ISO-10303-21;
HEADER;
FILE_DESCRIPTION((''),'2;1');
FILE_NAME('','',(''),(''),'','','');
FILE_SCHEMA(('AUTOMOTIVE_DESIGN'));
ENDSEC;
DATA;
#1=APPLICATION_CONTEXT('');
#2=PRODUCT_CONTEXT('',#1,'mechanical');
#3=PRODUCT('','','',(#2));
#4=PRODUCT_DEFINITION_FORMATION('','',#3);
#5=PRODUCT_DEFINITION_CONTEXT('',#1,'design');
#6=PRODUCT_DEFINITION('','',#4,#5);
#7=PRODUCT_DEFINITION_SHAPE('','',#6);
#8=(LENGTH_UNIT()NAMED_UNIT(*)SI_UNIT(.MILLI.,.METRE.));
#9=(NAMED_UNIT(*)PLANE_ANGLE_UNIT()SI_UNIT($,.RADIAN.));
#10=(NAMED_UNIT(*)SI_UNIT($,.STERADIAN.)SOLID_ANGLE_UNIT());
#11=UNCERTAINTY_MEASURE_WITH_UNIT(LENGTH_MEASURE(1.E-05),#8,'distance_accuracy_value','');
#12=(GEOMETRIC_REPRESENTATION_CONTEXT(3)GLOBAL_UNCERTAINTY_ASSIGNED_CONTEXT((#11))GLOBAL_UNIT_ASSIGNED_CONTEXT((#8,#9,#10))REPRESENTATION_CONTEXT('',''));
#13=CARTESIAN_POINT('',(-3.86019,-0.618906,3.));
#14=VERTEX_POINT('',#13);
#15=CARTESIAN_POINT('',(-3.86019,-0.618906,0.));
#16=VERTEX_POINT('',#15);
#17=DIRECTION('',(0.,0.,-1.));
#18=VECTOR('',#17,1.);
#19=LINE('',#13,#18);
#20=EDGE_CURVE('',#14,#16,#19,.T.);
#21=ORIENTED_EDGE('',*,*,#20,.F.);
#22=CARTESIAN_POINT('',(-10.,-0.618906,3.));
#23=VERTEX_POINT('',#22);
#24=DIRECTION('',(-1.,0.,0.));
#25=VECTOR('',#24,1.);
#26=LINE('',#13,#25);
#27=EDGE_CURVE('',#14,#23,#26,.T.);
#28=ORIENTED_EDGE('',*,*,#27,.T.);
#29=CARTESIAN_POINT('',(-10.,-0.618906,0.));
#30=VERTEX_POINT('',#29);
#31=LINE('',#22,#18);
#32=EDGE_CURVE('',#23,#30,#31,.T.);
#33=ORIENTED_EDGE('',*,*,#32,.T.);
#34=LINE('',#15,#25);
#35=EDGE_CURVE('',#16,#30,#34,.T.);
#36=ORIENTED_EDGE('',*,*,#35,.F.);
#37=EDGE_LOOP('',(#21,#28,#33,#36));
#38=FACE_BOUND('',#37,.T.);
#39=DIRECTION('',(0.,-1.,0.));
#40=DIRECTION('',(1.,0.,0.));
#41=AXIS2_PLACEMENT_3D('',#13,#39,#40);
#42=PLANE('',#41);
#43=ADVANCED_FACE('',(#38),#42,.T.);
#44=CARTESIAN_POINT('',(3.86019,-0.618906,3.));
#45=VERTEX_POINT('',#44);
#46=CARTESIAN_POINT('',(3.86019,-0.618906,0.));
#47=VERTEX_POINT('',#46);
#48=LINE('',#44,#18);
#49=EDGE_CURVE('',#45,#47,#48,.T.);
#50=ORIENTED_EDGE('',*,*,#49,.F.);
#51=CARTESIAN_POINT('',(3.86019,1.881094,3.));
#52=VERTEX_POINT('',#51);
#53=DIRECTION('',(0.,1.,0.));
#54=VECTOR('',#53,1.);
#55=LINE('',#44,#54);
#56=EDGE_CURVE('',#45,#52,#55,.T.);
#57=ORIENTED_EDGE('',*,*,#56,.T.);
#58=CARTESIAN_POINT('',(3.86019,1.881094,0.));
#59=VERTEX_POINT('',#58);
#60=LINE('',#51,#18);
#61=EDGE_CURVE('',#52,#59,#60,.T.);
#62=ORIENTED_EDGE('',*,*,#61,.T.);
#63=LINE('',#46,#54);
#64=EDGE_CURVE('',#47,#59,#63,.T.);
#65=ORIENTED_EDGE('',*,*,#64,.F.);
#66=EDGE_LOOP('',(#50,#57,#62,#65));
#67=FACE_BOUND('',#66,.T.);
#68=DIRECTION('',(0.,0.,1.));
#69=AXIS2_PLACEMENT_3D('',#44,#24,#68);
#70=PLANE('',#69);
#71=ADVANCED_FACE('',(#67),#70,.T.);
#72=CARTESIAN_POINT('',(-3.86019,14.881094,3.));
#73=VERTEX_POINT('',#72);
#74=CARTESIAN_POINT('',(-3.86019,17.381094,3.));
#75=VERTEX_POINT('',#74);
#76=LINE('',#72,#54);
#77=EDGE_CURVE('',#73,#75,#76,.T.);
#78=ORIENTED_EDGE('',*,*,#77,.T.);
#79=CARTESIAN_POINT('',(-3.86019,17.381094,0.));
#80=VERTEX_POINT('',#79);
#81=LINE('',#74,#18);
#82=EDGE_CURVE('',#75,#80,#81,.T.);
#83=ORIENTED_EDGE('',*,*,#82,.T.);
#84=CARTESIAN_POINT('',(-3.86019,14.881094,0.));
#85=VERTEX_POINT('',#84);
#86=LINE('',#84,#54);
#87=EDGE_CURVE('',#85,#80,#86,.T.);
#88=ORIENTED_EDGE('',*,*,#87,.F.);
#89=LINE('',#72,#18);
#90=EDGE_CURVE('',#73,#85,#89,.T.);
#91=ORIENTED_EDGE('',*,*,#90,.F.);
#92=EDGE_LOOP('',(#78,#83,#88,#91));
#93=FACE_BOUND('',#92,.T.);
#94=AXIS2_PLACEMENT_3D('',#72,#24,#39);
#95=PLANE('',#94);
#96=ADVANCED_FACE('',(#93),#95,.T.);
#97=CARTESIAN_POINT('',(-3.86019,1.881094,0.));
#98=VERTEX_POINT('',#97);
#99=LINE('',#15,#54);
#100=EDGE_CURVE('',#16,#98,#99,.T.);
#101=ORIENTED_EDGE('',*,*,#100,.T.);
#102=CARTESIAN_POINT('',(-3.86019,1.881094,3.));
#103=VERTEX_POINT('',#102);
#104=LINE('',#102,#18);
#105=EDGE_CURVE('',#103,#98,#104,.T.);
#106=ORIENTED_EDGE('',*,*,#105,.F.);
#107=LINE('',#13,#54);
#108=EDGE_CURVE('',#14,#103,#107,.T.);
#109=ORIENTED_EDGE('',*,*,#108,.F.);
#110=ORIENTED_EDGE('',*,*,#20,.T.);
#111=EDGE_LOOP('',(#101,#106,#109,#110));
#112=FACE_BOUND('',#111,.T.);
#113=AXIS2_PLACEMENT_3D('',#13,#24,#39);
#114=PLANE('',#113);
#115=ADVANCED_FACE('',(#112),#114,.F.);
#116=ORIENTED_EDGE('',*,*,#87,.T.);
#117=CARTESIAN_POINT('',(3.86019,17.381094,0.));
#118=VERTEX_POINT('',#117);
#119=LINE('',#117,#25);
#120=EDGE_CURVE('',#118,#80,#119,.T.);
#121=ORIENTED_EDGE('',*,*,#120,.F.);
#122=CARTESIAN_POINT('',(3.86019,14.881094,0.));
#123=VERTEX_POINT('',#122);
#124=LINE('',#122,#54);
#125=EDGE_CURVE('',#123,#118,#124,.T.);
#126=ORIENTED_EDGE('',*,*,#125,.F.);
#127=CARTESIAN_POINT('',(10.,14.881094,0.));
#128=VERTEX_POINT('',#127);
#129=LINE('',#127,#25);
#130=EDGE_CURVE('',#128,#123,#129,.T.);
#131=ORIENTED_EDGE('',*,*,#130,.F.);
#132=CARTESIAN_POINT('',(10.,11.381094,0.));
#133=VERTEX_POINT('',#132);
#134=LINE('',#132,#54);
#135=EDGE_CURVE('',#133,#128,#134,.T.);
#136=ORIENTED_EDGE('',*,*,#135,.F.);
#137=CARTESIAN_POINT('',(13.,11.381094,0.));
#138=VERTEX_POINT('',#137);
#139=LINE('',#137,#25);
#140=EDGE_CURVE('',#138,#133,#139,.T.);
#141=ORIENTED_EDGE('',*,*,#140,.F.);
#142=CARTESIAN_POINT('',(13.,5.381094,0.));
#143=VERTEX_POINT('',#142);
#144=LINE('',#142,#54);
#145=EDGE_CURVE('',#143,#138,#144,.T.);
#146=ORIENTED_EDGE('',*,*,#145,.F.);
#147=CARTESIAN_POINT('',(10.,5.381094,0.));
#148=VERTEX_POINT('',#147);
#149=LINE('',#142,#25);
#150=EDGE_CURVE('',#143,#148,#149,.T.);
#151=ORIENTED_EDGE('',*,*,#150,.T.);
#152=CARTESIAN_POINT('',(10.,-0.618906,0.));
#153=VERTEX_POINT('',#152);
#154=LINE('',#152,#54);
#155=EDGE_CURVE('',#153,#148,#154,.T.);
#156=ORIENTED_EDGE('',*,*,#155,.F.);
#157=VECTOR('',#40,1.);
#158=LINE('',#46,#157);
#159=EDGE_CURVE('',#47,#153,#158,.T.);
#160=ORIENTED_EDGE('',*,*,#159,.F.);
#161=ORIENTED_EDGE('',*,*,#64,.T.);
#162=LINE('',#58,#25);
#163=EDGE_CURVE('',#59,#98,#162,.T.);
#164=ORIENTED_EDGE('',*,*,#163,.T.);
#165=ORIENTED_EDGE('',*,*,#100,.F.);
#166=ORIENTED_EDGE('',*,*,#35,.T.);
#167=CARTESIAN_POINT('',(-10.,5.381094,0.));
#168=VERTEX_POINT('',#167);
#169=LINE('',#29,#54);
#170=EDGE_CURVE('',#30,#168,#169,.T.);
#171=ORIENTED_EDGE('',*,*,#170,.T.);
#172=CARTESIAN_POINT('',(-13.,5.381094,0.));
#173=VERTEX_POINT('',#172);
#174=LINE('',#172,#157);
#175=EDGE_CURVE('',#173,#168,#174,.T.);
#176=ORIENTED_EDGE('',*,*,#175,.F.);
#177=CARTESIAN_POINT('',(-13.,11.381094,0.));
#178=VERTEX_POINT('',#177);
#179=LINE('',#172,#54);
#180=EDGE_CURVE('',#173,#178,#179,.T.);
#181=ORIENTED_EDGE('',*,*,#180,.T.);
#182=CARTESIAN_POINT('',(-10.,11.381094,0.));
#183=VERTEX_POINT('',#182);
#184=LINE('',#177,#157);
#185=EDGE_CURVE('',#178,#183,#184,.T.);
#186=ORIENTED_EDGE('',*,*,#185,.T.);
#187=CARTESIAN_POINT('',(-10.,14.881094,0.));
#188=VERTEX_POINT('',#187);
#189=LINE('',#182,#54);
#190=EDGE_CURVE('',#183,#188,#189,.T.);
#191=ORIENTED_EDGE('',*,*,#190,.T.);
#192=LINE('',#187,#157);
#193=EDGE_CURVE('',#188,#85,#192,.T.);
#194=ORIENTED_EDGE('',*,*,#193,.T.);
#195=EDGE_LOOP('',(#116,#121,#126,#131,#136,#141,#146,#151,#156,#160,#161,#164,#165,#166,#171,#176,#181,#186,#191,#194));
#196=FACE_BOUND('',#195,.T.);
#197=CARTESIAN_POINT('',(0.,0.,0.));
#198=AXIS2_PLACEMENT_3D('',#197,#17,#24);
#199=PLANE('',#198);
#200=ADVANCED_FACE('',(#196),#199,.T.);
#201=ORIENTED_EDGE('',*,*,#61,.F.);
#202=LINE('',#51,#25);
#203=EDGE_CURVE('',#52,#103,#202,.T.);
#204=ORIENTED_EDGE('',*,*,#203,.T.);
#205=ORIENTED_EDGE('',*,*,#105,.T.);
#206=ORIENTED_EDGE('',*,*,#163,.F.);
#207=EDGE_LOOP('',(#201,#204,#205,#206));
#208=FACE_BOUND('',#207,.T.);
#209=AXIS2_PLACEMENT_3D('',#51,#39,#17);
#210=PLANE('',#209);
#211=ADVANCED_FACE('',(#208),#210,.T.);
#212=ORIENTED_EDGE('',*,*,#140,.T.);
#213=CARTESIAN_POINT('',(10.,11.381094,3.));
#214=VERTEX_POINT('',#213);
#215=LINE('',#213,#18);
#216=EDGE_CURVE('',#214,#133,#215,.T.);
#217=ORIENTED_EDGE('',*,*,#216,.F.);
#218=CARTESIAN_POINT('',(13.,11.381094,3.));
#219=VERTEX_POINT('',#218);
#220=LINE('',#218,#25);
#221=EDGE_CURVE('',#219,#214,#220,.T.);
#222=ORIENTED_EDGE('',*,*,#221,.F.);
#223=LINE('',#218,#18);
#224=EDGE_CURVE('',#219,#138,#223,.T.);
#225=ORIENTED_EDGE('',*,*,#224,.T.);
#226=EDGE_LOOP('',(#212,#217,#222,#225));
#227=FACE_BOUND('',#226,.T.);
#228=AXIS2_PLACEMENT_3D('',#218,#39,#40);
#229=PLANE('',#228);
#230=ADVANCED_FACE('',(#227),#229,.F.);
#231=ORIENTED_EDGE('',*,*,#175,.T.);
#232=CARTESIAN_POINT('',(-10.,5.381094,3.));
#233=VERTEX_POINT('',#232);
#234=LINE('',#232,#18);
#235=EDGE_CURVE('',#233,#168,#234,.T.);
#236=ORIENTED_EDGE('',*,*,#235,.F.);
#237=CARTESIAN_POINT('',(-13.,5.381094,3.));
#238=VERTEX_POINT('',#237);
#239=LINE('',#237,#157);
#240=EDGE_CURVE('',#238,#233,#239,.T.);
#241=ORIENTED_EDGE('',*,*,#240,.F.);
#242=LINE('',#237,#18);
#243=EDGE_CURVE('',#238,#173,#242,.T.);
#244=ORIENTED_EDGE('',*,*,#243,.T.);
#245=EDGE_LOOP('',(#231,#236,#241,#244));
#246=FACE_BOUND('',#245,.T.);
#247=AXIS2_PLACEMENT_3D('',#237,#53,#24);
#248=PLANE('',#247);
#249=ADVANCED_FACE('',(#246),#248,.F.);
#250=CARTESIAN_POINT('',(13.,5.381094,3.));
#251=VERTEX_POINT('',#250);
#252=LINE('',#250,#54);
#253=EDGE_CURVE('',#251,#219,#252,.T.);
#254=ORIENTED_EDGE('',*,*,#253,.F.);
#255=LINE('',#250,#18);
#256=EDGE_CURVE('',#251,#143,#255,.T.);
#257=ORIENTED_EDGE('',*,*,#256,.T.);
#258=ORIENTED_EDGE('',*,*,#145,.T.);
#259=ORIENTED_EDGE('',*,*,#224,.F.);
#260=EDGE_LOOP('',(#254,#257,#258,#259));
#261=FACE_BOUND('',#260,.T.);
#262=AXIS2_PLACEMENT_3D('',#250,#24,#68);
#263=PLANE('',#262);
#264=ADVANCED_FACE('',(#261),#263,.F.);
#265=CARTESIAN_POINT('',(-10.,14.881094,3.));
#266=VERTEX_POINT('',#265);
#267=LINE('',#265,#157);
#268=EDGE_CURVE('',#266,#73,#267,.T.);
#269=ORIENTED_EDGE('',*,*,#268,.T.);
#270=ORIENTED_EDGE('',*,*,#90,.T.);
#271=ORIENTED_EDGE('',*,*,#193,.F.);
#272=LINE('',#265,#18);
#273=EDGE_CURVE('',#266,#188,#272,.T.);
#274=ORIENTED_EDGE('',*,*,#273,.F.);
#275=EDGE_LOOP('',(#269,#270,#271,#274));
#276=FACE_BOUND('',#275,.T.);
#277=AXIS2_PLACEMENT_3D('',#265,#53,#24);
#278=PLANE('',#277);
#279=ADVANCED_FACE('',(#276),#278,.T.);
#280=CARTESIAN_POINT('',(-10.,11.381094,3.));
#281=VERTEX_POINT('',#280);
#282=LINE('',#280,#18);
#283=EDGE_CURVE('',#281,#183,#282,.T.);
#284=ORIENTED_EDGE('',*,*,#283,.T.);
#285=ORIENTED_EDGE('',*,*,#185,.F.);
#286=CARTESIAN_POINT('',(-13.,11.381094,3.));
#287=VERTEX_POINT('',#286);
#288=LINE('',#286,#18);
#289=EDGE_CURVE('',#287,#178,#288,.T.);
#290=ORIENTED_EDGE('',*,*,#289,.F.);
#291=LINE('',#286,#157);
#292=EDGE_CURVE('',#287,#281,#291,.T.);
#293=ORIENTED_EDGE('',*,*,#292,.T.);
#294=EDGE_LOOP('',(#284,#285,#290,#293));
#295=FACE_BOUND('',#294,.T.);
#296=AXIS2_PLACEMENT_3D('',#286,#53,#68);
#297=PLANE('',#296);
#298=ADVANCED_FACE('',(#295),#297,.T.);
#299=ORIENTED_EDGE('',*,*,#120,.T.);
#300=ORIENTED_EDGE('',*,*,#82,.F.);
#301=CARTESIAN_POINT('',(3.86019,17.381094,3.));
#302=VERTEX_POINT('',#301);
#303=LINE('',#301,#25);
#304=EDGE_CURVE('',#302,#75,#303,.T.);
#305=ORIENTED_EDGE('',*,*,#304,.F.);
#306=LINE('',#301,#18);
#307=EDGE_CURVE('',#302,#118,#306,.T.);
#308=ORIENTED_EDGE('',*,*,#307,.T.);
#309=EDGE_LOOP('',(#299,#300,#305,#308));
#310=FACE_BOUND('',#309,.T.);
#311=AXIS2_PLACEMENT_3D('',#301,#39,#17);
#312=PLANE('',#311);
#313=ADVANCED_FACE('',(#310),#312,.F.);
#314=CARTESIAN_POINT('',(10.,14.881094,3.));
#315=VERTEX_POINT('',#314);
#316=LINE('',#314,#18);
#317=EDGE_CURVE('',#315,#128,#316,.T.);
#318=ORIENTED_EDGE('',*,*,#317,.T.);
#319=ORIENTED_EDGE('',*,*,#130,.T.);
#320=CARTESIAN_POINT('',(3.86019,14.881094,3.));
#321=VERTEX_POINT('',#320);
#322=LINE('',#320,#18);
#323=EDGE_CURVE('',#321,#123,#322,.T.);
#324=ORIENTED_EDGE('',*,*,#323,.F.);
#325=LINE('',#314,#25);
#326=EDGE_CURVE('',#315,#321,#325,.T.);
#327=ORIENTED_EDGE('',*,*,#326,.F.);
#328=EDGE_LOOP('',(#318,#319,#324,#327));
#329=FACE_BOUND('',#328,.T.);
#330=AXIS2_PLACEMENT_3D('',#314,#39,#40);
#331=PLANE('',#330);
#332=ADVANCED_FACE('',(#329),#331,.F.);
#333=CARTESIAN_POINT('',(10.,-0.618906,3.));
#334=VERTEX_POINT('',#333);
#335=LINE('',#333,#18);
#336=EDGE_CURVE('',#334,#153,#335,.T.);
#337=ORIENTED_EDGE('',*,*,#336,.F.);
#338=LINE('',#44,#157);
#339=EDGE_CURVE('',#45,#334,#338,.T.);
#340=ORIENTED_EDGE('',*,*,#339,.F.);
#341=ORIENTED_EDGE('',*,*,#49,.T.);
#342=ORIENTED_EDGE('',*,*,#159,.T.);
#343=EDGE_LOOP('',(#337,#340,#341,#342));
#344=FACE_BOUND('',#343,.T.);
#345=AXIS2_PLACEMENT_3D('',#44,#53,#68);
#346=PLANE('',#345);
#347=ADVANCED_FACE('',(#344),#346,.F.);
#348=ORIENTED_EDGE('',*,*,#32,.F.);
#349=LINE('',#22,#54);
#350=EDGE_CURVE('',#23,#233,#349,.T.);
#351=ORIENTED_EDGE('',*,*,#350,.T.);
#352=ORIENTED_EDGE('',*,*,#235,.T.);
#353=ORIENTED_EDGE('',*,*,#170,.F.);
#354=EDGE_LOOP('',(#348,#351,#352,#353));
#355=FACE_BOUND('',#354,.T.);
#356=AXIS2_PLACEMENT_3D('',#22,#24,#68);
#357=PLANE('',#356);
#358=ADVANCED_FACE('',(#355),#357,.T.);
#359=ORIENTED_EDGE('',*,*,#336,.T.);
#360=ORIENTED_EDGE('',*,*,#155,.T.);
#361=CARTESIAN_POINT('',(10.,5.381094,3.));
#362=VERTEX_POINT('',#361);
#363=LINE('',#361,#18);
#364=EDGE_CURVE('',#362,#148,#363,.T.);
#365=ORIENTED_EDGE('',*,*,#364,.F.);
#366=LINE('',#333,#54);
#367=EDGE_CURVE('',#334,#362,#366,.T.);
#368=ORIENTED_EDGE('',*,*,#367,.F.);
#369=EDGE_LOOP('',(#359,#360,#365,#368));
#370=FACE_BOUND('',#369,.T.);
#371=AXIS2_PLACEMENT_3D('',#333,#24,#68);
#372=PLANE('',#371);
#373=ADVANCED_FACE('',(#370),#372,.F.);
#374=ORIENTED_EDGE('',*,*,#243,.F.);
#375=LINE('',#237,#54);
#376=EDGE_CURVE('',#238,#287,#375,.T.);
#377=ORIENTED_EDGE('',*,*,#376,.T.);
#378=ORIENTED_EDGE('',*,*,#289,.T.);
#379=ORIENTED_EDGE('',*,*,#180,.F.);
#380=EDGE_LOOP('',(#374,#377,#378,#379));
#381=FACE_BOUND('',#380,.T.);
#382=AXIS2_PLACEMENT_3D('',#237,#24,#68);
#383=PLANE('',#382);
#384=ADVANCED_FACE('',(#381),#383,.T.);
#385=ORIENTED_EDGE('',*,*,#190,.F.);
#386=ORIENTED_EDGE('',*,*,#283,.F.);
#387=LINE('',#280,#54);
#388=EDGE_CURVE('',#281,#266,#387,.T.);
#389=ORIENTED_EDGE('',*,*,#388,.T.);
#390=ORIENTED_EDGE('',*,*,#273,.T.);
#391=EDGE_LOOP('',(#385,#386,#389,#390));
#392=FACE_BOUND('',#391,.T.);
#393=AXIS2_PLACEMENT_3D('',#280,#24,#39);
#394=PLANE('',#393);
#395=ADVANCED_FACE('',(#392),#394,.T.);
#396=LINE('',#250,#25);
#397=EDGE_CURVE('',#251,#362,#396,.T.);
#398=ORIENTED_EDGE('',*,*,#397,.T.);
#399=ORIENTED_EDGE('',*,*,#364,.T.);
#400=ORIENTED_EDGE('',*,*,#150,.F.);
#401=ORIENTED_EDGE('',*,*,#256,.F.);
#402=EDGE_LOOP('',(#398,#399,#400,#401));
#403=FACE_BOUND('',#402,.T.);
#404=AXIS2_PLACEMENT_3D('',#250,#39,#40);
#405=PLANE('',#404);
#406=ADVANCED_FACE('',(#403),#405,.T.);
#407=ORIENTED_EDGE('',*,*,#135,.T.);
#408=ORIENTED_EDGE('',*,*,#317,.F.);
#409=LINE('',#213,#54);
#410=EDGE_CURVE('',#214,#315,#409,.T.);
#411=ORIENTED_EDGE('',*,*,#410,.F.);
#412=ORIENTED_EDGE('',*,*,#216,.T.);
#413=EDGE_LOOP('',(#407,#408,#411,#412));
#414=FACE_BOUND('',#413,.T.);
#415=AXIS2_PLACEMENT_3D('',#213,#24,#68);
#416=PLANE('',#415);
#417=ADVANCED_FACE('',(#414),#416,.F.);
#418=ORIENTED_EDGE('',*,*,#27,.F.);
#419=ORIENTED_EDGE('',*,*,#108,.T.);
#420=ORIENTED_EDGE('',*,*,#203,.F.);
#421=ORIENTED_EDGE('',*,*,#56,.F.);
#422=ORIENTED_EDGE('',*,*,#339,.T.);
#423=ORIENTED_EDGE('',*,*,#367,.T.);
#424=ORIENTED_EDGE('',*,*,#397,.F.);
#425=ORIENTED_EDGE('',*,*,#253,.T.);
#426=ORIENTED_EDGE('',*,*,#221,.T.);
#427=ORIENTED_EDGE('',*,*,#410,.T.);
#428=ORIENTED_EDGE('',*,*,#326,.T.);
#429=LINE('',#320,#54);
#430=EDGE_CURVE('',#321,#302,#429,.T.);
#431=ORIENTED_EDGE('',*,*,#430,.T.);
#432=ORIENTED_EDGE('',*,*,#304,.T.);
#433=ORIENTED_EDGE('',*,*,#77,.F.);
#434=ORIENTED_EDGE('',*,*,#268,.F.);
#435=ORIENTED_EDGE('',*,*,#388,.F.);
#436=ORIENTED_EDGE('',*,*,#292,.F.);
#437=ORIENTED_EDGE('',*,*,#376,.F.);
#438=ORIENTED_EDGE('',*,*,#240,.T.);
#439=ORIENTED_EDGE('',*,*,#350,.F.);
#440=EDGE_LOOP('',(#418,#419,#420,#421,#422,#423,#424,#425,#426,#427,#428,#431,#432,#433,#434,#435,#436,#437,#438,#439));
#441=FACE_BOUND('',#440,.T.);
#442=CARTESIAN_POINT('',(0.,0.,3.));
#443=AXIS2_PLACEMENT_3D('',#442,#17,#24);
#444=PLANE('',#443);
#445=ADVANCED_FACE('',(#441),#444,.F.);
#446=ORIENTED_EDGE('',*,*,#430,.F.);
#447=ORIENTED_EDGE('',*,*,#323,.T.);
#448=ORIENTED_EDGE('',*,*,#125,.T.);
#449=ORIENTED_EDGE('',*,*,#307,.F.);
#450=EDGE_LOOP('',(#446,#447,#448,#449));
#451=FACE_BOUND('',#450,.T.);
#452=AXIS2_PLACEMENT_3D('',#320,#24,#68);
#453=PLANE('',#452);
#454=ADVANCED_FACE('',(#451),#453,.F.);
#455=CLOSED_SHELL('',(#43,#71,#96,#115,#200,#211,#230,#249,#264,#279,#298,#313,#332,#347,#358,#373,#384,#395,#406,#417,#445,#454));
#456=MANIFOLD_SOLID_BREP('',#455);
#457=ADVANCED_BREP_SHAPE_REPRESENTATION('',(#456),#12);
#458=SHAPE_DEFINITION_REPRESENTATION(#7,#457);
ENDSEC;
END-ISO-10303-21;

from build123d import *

# Parameters (mm, degrees)
BOSS_EXTRUDE4_DEPTH = 3


with BuildPart() as part:
    # Sketch1 → Boss-Extrude4 (new body)
    with BuildSketch(Plane.XY):
        Polygon((3.860190234, -0.618906454), (10, -0.618906454), (10, 5.381093546), (13, 5.381093546), (13, 11.381093546), (10, 11.381093546), (10, 14.881093546), (3.860190234, 14.881093546), (3.860190234, 17.381093546), (-3.860190234, 17.381093546), (-3.860190234, 14.881093546), (-10, 14.881093546), (-10, 11.381093546), (-13, 11.381093546), (-13, 5.381093546), (-10, 5.381093546), (-10, -0.618906454), (-3.860190234, -0.618906454), (-3.860190234, 1.881093546), (3.860190234, 1.881093546), align=None)
    extrude(amount=BOSS_EXTRUDE4_DEPTH)


solid = part.part
